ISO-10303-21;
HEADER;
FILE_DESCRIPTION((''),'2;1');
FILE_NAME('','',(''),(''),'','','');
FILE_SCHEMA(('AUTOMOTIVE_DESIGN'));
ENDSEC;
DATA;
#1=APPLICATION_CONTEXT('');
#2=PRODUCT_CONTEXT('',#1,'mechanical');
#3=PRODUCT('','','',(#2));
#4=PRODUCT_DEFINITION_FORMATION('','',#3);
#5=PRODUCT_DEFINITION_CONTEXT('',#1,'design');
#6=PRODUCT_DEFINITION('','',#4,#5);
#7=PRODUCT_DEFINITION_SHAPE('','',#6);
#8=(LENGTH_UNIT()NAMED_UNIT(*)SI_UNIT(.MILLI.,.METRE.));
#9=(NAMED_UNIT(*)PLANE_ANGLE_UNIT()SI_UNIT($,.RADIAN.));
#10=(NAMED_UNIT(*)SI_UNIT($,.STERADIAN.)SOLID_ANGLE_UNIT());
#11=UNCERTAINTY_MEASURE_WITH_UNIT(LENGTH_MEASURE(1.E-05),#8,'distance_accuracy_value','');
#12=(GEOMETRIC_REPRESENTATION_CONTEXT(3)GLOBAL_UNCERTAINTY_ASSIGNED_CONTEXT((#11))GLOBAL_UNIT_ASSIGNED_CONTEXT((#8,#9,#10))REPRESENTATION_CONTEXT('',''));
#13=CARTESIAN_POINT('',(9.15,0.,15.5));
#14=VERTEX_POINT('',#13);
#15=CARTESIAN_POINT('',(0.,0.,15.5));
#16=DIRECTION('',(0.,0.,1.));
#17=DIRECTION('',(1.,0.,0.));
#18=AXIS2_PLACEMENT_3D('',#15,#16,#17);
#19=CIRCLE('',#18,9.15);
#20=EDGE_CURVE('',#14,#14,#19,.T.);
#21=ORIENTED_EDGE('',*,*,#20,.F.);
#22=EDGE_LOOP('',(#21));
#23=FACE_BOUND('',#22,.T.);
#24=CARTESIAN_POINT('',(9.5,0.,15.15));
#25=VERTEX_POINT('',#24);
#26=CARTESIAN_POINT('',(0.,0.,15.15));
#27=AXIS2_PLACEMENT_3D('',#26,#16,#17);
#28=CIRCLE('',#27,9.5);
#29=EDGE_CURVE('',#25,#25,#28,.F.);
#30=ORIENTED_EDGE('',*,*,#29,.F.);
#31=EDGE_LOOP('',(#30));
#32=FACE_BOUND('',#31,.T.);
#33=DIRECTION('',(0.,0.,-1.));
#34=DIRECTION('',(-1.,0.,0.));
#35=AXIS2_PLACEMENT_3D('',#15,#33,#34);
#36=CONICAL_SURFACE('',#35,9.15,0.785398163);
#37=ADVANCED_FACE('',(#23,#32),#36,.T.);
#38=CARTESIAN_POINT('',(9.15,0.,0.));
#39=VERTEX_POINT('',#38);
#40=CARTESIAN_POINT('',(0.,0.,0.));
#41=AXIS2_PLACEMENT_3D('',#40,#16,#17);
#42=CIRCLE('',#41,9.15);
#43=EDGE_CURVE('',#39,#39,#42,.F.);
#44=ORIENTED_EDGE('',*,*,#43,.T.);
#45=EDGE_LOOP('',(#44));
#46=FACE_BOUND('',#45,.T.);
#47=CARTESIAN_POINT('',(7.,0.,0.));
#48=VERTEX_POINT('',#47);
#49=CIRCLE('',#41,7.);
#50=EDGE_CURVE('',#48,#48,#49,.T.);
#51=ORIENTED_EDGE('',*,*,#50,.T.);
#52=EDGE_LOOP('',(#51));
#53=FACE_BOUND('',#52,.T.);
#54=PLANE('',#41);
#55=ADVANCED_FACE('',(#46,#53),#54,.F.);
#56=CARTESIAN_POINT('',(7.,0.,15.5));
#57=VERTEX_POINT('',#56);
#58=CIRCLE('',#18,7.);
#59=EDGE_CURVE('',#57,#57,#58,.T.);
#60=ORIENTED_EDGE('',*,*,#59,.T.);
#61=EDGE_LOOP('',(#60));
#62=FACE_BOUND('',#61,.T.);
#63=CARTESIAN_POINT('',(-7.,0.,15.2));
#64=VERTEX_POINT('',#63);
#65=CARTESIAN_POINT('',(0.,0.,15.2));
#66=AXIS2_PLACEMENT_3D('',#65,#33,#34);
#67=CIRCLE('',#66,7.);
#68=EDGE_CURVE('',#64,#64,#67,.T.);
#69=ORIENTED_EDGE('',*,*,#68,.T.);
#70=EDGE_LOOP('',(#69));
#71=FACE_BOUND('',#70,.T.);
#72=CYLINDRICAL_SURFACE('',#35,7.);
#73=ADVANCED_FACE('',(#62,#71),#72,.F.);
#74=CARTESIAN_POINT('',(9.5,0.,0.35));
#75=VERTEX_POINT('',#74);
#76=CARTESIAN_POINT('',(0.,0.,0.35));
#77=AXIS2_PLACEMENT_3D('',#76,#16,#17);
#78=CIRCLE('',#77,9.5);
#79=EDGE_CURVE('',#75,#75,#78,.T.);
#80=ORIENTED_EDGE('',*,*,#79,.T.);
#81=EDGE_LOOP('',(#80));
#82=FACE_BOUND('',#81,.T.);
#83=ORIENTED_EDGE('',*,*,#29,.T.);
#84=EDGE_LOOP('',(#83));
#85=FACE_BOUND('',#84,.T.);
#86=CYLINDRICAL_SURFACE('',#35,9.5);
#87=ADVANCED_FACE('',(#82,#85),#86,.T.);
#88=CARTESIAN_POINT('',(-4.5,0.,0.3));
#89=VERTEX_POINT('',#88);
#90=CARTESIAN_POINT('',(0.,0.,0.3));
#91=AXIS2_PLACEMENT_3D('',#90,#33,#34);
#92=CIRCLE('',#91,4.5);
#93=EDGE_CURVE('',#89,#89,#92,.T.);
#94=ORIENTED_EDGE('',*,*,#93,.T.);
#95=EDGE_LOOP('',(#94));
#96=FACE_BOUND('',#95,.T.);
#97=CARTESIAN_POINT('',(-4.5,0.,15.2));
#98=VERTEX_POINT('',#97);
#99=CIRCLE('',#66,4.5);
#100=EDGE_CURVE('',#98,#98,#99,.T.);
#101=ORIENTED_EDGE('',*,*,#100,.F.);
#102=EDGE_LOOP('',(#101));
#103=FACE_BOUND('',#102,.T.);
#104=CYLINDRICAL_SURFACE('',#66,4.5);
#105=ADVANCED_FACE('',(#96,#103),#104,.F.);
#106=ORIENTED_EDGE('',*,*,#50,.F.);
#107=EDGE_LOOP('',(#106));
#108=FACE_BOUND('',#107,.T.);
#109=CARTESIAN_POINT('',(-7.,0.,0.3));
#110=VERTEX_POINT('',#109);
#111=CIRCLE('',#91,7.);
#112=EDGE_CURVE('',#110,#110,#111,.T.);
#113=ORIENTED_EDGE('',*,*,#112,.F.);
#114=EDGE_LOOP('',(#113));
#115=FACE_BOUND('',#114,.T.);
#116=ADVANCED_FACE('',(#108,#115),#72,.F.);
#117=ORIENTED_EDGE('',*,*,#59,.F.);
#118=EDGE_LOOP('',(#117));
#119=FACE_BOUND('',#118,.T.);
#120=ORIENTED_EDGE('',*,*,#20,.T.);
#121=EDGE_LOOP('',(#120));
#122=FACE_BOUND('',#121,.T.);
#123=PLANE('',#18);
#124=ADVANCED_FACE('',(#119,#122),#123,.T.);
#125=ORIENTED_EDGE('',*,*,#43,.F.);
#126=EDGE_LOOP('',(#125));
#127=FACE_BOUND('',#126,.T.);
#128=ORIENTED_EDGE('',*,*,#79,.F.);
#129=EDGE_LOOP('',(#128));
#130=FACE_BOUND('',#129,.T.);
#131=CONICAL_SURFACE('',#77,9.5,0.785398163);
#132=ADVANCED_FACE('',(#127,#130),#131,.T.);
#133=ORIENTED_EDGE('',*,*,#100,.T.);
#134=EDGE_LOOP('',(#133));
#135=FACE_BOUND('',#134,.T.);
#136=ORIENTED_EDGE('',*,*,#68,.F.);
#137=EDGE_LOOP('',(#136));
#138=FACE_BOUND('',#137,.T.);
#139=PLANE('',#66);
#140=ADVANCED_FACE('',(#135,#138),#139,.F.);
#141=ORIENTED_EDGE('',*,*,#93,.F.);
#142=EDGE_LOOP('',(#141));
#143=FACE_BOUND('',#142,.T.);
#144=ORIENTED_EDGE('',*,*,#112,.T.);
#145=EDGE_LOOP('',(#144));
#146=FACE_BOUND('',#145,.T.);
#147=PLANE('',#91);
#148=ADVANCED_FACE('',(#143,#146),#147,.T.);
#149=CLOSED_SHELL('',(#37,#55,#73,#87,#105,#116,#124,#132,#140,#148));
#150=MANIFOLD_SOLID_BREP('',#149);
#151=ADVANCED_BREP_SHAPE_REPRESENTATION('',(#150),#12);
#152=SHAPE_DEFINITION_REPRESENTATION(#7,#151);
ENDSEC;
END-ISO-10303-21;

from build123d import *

# Parameters (mm, degrees)
SCHIZZO1_R                   = 9.5
SCHIZZO1_R_2                 = 7
ESTRUSIONE_ESTRUSIONE2_DEPTH = 15.5
SCHIZZO2_R                   = 7
SCHIZZO2_R_2                 = 4.5
ESTRUSIONE_ESTRUSIONE3_DEPTH = 14.9
SMUSSO1_SIZE                 = 0.35


with BuildPart() as part:
    # Schizzo1 → Estrusione-Estrusione2 (new body)
    with BuildSketch(Plane.XY):
        Circle(SCHIZZO1_R)
        Circle(SCHIZZO1_R_2, mode=Mode.SUBTRACT)
    extrude(amount=ESTRUSIONE_ESTRUSIONE2_DEPTH)

    # Schizzo2 → Estrusione-Estrusione3 (add)
    with BuildSketch(Plane(origin=(0, 0, 0.3), x_dir=(-1, 0, 0), z_dir=(0, 0, -1))):
        Circle(SCHIZZO2_R)
        Circle(SCHIZZO2_R_2, mode=Mode.SUBTRACT)
    extrude(amount=-ESTRUSIONE_ESTRUSIONE3_DEPTH)

    # Smusso1
    smusso1_edges = [part.edges().sort_by_distance(p)[0] for p in [
        (-9.5, 0, 0),
        (-9.5, 0, 15.5),
    ]]
    chamfer(smusso1_edges, length=SMUSSO1_SIZE)


solid = part.part
